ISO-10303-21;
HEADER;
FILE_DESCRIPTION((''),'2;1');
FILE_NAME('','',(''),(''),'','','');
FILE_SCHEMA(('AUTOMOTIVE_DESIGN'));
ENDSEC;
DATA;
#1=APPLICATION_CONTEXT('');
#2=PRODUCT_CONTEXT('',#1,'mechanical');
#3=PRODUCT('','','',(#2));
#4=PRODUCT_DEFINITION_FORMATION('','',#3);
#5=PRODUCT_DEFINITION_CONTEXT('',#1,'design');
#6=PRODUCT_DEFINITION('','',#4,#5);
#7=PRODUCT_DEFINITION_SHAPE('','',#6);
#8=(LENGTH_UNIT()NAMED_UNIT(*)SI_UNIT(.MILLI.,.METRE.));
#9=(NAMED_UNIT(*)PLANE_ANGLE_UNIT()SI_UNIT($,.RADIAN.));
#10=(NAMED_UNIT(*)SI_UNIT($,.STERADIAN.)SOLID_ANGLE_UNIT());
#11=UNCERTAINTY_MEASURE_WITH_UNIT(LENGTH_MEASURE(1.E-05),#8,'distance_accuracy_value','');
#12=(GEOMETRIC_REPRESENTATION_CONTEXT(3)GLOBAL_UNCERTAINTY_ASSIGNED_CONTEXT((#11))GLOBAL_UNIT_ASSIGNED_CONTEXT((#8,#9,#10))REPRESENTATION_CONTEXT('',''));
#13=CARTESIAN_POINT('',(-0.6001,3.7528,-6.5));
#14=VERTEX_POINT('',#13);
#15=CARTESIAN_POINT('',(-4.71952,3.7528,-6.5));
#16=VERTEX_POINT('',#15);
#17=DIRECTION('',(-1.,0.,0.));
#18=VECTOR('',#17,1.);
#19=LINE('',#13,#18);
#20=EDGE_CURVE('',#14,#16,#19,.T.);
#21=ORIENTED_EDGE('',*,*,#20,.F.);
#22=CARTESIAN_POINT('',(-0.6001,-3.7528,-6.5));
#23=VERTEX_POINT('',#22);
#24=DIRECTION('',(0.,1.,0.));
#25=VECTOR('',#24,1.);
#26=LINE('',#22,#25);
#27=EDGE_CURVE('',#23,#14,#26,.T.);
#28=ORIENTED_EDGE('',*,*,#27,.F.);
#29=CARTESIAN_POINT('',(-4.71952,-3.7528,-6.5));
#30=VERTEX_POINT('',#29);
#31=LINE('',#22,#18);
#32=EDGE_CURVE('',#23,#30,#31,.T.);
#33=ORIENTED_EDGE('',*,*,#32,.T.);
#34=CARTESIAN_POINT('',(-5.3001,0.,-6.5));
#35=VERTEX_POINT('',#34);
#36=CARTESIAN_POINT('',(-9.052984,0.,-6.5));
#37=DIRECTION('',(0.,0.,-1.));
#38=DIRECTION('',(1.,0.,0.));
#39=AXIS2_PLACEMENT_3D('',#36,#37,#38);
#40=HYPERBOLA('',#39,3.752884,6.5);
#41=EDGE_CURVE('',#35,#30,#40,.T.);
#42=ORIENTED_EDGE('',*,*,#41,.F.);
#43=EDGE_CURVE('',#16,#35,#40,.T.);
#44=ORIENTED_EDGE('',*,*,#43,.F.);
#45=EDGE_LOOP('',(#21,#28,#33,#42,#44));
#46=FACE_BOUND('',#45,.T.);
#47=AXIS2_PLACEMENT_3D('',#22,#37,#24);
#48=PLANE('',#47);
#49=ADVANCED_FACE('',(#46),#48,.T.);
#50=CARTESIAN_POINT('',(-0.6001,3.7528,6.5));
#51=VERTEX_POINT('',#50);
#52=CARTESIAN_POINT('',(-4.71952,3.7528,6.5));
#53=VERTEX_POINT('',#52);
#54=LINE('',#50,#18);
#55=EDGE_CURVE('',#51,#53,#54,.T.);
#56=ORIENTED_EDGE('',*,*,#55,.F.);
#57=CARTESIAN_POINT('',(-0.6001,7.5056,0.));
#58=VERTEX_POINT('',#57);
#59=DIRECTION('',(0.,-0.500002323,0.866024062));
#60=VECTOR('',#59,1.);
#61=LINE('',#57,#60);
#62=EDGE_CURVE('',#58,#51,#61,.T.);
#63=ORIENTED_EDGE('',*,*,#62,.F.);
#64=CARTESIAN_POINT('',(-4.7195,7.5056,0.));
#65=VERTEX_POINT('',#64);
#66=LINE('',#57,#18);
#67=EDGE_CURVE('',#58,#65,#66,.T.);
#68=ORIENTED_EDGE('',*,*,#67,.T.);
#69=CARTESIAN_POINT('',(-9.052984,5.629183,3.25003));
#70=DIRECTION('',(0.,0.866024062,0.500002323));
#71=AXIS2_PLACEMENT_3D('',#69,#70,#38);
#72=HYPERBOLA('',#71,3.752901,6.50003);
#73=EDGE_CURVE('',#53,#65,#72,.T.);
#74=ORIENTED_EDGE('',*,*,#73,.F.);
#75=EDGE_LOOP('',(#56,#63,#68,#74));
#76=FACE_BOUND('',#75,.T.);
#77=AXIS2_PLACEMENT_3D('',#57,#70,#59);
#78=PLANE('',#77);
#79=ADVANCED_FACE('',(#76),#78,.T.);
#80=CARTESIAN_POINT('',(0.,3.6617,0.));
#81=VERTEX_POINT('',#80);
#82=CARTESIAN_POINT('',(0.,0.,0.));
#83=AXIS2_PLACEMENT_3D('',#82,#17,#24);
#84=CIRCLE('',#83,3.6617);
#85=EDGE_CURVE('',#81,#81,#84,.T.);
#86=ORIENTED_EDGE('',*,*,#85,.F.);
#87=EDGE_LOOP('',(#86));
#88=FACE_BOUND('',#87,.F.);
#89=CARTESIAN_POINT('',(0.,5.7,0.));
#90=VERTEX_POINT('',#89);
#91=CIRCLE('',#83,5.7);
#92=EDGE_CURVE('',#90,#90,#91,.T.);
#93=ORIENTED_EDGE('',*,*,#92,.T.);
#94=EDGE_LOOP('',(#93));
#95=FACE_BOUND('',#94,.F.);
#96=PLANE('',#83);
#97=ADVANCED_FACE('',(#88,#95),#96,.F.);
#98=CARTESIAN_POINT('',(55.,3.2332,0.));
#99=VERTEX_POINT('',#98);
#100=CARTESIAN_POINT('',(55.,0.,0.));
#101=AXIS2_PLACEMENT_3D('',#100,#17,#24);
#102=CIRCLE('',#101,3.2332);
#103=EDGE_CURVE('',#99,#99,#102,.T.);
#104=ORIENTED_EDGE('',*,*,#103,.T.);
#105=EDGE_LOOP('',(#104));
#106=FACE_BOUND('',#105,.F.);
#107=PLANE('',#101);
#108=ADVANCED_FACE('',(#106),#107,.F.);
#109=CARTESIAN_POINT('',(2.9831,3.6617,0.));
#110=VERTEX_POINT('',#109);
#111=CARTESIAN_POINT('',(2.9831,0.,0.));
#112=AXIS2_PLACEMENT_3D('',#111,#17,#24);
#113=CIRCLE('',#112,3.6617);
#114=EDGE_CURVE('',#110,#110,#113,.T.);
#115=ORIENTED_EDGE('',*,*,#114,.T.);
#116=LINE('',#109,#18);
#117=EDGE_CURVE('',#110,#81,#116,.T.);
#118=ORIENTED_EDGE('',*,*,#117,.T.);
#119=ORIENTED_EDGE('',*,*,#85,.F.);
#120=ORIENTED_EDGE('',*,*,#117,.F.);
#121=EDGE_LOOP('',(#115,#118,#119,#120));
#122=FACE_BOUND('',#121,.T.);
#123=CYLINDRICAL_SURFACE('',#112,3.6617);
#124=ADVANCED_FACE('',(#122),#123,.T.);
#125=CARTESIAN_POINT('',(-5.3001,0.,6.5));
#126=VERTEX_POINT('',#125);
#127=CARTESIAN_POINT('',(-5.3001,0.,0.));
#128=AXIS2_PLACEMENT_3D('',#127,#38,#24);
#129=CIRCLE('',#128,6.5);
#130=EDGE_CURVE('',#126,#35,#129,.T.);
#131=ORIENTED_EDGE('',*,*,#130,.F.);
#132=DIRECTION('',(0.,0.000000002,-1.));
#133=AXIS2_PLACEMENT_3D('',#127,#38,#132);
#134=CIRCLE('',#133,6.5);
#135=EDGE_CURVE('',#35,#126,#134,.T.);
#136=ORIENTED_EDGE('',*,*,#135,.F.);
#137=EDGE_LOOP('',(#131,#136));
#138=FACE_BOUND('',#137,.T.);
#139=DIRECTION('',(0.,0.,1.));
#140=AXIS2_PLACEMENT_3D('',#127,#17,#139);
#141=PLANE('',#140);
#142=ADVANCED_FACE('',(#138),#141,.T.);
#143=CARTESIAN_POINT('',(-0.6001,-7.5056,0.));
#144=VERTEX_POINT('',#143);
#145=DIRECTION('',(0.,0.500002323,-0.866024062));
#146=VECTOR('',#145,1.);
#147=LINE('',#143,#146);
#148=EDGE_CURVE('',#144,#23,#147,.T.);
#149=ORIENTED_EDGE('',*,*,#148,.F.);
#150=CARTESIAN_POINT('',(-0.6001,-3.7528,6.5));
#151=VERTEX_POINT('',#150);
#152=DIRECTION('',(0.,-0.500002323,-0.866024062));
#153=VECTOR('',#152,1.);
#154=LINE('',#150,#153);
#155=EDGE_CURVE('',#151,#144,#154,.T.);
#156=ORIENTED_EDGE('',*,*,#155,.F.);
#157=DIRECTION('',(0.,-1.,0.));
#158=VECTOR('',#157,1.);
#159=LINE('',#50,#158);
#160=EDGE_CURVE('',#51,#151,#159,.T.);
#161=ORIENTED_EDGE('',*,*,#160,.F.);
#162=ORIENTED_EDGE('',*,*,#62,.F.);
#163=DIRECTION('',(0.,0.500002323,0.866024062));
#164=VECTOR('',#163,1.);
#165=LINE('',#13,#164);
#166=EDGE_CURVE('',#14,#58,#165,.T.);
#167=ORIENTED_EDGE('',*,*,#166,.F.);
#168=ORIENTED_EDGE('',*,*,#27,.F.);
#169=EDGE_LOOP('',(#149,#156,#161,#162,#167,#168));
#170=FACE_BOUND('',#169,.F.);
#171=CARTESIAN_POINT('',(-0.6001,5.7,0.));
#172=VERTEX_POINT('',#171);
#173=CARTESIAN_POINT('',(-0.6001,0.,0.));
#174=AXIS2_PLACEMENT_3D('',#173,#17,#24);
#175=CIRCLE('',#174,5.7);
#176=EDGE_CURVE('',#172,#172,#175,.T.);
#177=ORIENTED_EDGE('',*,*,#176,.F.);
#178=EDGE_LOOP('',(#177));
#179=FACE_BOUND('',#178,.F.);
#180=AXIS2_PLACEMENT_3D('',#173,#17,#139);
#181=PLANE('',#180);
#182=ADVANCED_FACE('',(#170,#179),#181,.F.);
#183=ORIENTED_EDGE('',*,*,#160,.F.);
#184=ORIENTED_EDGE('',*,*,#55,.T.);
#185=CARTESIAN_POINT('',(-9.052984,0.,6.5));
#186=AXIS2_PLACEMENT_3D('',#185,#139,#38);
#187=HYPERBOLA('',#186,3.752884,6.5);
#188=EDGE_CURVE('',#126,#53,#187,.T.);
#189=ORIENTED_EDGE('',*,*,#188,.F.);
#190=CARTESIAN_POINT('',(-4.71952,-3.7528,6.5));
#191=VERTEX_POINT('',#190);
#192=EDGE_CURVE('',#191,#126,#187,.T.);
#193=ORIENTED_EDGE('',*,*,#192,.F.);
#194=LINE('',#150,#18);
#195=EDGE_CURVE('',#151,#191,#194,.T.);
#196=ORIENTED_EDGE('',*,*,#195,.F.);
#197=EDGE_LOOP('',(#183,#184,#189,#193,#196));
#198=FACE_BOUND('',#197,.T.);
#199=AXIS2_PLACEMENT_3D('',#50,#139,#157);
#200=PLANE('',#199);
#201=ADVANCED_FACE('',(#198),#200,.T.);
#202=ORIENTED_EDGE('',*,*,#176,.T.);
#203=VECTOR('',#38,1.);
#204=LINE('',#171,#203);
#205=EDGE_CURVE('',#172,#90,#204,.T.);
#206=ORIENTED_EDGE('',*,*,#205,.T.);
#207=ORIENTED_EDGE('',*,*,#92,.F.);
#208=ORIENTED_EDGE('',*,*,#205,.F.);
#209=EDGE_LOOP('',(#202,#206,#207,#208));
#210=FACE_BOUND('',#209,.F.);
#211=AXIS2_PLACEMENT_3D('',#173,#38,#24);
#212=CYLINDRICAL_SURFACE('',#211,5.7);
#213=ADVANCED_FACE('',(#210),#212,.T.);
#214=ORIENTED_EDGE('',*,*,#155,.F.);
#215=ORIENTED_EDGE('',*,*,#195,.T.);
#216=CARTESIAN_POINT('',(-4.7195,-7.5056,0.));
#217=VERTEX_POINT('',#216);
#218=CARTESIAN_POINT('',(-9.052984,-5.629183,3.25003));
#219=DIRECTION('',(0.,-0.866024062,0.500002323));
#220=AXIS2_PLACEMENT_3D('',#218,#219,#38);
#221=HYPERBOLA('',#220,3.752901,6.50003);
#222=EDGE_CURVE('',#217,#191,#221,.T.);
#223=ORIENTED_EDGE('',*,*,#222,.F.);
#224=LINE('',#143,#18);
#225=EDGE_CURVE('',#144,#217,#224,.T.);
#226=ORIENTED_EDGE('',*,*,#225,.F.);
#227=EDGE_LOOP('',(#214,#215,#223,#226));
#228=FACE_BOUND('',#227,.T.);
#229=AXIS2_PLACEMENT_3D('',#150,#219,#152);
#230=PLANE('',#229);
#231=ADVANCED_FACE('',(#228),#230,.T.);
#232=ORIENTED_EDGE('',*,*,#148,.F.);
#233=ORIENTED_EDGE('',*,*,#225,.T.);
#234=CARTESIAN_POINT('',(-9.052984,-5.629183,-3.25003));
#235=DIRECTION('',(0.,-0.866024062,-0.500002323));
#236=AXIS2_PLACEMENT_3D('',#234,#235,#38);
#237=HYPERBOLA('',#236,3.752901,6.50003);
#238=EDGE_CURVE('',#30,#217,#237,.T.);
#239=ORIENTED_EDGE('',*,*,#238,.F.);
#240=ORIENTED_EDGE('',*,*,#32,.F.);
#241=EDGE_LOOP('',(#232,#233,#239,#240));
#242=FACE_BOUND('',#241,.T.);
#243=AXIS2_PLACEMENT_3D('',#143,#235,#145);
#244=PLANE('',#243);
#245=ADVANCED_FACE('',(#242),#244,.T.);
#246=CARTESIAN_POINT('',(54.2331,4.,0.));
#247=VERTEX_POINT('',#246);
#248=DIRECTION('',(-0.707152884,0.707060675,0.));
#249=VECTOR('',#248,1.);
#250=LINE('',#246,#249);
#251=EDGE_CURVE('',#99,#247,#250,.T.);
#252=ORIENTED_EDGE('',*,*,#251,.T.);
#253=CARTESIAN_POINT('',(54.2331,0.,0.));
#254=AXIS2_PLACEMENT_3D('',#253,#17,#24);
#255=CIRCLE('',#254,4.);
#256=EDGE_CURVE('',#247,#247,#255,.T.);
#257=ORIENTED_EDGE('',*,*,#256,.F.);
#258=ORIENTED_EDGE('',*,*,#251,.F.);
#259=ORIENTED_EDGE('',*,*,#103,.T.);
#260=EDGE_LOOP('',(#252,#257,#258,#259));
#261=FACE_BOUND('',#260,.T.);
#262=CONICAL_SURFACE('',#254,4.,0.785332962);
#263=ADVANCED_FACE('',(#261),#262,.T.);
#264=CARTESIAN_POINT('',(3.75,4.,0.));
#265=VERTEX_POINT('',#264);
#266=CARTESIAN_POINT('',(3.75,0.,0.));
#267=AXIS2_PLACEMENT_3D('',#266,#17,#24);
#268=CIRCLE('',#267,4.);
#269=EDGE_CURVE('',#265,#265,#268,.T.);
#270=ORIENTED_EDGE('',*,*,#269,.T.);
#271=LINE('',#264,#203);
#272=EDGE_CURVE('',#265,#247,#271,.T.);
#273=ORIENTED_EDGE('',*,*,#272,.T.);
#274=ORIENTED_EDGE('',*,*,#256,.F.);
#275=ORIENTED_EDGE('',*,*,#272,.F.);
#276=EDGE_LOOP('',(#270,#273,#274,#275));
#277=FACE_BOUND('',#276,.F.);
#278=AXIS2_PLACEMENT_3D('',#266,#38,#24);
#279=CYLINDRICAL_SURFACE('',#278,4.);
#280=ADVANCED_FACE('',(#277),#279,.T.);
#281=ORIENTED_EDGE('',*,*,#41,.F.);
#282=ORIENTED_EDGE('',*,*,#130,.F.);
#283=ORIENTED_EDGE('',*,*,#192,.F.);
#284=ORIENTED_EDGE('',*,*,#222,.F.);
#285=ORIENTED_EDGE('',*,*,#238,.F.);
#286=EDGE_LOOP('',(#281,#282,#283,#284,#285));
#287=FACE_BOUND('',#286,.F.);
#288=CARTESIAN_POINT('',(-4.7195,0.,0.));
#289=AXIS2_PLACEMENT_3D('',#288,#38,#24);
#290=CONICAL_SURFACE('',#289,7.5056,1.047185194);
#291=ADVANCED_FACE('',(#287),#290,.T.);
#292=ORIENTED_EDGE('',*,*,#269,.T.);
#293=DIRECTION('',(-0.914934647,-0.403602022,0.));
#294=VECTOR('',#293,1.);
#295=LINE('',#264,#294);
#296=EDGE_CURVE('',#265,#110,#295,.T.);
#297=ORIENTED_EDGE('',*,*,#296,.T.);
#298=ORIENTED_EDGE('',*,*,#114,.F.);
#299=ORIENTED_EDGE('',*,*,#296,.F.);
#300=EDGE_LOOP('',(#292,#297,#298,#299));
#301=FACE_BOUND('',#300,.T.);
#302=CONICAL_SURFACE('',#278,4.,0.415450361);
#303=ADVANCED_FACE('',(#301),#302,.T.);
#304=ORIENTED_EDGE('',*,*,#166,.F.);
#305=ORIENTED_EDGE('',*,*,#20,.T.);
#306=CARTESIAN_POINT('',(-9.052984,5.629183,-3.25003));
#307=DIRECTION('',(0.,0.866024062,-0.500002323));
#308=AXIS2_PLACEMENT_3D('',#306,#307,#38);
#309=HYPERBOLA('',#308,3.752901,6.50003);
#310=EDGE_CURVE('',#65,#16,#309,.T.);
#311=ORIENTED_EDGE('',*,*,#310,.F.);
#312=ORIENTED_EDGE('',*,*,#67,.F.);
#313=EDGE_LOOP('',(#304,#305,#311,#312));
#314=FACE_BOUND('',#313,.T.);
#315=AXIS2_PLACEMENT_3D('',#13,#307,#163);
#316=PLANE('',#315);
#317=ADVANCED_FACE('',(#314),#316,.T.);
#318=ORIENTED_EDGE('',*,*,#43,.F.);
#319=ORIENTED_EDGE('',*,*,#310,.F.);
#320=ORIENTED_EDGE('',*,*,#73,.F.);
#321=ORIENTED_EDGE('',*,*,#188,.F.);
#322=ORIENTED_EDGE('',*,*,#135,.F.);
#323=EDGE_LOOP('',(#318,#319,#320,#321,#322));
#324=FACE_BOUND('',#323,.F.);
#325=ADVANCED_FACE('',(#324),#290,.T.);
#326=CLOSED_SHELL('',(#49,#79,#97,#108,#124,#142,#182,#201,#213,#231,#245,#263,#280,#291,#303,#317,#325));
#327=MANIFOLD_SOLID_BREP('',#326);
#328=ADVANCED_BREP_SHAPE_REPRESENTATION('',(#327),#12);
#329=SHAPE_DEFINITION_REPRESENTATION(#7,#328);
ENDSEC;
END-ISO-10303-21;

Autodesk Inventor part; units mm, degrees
ref_plane "YZ Plane" through (0, 0, 0) normal (1, 0, 0) x (0, 1, 0)
ref_plane "XZ Plane" through (0, 0, 0) normal (0, 1, 0) x (-1, 0, 0)
sketch "Sketch1" plane through (0, 0, 0) normal (0, 0, 1) x (1, 0, 0)
  line L0 (0, 5.7) -> (0, 3.6617)
  line L1 (3.75, 4) -> (55, 4)
  line L2 (55, 4) -> (55, 0)
  line L3 (55, 0) -> (-0.6001, 0)
  line L4 (-11.7201, 0) -> (66.12, 0) projected
  line L5 (-0.6001, 0) -> (-0.6001, 5.7)
  line L6 (-0.6001, 5.7) -> (0, 5.7)
  line L7 (3.75, 4) -> (2.9831, 3.6617)
  line L8 (2.9831, 3.6617) -> (0, 3.6617)
  line L9 (0, -1.14) -> (0, 6.84) projected
  dimension "d0" = 55
  dimension "d1" = 51.25
  dimension "d2" = 8
  dimension "d9" = 0.6001
  dimension "d10" = 11.4
  dimension "d13" = 0.7669
  dimension "d14" = 7.3234
revolve "Body" add sketch "Sketch1" angle 360 about axis through (55, 0, 0) along (-1, 0, 0)
sketch "Sketch2" plane through (-0.6001, 0, 0) normal (-1, 0, 0) x (0, 0, 1)
  line L0 (0, 7.5056) -> (6.5, 3.7528)
  line L1 (6.5, 3.7528) -> (6.5, -3.7528)
  line L2 (6.5, -3.7528) -> (0, -7.5056)
  line L3 (0, -7.5056) -> (-6.5, -3.7528)
  line L4 (-6.5, -3.7528) -> (-6.5, 3.7528)
  line L5 (-6.5, 3.7528) -> (0, 7.5056)
  point P0 (0, 0)
  point P1 (0, 0)
  dimension "d11" = 13
extrude "Head" add sketch "Sketch2" along normal blind 4.7
sketch "Sketch4" plane through (0, 0, 0) normal (0, 0, 1) x (1, 0, 0)
  line L0 (-5.3001, 6.5) -> (-5.3001, 7.5056)
  line L1 (-5.3001, 7.5056) -> (-4.7195, 7.5056)
  line L2 (-4.7195, 7.5056) -> (-5.3001, 6.5)
  line L3 (-6.2401, 0) -> (0.3399, 0) projected
  line L4 (-0.6001, 7.5056) -> (-5.3001, 7.5056) projected
  line L5 (-5.3001, 3.7528) -> (-5.3001, 7.5056) projected
  dimension "d5" = 30
  dimension "d19" = 13
revolve "Chamfer1" cut sketch "Sketch4" angle 360 about axis through (-10, 0, 0) along (1, 0, 0)
thread "Thread" size "M8x1.25" class "6g" standard "ISO Metric profile" length 51.25
chamfer "Chamfer2" distance 0.7668 distance2 0.7669 1 edges at (55, -4, 0) measured on face at (55, -1.1806, 1.575)
ref_plane "Work Plane1" through (1.525, 0, 0) normal (0, 0, 1) x (1, 0, 0)
equation "\"d0\" = NLG"
equation "\"d1\" = GEL"
equation "\"d2\" = GD"
equation "\"d10\" = SD2"
equation "\"d14\" = BDM"
equation "\"d11\" = SW"
equation "\"d3\" = KOH - SD"
equation "\"d5\" = ANG1"
equation "\"d19\" = SW0"
equation "\"d15\" = GEL"
equation "\"d6\" = -0.5 * SPD + 0.5 * GD"
equation "\"NLG\" = 55"
equation "\"GD\" = NND"
equation "\"BDM\" = 7.32342"
equation "\"KOH\" = 5.3"
equation "\"GEL\" = 51.25"
equation "\"SW\" = 13"
equation "\"SW0\" = 13"
equation "\"SPD\" = NND - 1.2269 * PTC"
equation "\"SD2\" = 11.4"
equation "\"SD\" = 0.6"
equation "\"ANG1\" = 30deg"
equation "\"GAL\" = 0.61345 * PTC"
equation "\"GUL\" = 0.61345 * PTC"
equation "\"RR\" = 0.4"
equation "\"GD1\" = THREADDIA - 1.2269 * PTC"
equation "\"THREADDIA\" = 8"
equation "\"TOA\" = 30deg"
equation "\"PTC\" = 1.25"
equation "\"NND\" = 8"
equation "\"E0\" = 1.155 * SW"
properties part number "DIN 933 - M8  x 55" material "Steel, Mild"
